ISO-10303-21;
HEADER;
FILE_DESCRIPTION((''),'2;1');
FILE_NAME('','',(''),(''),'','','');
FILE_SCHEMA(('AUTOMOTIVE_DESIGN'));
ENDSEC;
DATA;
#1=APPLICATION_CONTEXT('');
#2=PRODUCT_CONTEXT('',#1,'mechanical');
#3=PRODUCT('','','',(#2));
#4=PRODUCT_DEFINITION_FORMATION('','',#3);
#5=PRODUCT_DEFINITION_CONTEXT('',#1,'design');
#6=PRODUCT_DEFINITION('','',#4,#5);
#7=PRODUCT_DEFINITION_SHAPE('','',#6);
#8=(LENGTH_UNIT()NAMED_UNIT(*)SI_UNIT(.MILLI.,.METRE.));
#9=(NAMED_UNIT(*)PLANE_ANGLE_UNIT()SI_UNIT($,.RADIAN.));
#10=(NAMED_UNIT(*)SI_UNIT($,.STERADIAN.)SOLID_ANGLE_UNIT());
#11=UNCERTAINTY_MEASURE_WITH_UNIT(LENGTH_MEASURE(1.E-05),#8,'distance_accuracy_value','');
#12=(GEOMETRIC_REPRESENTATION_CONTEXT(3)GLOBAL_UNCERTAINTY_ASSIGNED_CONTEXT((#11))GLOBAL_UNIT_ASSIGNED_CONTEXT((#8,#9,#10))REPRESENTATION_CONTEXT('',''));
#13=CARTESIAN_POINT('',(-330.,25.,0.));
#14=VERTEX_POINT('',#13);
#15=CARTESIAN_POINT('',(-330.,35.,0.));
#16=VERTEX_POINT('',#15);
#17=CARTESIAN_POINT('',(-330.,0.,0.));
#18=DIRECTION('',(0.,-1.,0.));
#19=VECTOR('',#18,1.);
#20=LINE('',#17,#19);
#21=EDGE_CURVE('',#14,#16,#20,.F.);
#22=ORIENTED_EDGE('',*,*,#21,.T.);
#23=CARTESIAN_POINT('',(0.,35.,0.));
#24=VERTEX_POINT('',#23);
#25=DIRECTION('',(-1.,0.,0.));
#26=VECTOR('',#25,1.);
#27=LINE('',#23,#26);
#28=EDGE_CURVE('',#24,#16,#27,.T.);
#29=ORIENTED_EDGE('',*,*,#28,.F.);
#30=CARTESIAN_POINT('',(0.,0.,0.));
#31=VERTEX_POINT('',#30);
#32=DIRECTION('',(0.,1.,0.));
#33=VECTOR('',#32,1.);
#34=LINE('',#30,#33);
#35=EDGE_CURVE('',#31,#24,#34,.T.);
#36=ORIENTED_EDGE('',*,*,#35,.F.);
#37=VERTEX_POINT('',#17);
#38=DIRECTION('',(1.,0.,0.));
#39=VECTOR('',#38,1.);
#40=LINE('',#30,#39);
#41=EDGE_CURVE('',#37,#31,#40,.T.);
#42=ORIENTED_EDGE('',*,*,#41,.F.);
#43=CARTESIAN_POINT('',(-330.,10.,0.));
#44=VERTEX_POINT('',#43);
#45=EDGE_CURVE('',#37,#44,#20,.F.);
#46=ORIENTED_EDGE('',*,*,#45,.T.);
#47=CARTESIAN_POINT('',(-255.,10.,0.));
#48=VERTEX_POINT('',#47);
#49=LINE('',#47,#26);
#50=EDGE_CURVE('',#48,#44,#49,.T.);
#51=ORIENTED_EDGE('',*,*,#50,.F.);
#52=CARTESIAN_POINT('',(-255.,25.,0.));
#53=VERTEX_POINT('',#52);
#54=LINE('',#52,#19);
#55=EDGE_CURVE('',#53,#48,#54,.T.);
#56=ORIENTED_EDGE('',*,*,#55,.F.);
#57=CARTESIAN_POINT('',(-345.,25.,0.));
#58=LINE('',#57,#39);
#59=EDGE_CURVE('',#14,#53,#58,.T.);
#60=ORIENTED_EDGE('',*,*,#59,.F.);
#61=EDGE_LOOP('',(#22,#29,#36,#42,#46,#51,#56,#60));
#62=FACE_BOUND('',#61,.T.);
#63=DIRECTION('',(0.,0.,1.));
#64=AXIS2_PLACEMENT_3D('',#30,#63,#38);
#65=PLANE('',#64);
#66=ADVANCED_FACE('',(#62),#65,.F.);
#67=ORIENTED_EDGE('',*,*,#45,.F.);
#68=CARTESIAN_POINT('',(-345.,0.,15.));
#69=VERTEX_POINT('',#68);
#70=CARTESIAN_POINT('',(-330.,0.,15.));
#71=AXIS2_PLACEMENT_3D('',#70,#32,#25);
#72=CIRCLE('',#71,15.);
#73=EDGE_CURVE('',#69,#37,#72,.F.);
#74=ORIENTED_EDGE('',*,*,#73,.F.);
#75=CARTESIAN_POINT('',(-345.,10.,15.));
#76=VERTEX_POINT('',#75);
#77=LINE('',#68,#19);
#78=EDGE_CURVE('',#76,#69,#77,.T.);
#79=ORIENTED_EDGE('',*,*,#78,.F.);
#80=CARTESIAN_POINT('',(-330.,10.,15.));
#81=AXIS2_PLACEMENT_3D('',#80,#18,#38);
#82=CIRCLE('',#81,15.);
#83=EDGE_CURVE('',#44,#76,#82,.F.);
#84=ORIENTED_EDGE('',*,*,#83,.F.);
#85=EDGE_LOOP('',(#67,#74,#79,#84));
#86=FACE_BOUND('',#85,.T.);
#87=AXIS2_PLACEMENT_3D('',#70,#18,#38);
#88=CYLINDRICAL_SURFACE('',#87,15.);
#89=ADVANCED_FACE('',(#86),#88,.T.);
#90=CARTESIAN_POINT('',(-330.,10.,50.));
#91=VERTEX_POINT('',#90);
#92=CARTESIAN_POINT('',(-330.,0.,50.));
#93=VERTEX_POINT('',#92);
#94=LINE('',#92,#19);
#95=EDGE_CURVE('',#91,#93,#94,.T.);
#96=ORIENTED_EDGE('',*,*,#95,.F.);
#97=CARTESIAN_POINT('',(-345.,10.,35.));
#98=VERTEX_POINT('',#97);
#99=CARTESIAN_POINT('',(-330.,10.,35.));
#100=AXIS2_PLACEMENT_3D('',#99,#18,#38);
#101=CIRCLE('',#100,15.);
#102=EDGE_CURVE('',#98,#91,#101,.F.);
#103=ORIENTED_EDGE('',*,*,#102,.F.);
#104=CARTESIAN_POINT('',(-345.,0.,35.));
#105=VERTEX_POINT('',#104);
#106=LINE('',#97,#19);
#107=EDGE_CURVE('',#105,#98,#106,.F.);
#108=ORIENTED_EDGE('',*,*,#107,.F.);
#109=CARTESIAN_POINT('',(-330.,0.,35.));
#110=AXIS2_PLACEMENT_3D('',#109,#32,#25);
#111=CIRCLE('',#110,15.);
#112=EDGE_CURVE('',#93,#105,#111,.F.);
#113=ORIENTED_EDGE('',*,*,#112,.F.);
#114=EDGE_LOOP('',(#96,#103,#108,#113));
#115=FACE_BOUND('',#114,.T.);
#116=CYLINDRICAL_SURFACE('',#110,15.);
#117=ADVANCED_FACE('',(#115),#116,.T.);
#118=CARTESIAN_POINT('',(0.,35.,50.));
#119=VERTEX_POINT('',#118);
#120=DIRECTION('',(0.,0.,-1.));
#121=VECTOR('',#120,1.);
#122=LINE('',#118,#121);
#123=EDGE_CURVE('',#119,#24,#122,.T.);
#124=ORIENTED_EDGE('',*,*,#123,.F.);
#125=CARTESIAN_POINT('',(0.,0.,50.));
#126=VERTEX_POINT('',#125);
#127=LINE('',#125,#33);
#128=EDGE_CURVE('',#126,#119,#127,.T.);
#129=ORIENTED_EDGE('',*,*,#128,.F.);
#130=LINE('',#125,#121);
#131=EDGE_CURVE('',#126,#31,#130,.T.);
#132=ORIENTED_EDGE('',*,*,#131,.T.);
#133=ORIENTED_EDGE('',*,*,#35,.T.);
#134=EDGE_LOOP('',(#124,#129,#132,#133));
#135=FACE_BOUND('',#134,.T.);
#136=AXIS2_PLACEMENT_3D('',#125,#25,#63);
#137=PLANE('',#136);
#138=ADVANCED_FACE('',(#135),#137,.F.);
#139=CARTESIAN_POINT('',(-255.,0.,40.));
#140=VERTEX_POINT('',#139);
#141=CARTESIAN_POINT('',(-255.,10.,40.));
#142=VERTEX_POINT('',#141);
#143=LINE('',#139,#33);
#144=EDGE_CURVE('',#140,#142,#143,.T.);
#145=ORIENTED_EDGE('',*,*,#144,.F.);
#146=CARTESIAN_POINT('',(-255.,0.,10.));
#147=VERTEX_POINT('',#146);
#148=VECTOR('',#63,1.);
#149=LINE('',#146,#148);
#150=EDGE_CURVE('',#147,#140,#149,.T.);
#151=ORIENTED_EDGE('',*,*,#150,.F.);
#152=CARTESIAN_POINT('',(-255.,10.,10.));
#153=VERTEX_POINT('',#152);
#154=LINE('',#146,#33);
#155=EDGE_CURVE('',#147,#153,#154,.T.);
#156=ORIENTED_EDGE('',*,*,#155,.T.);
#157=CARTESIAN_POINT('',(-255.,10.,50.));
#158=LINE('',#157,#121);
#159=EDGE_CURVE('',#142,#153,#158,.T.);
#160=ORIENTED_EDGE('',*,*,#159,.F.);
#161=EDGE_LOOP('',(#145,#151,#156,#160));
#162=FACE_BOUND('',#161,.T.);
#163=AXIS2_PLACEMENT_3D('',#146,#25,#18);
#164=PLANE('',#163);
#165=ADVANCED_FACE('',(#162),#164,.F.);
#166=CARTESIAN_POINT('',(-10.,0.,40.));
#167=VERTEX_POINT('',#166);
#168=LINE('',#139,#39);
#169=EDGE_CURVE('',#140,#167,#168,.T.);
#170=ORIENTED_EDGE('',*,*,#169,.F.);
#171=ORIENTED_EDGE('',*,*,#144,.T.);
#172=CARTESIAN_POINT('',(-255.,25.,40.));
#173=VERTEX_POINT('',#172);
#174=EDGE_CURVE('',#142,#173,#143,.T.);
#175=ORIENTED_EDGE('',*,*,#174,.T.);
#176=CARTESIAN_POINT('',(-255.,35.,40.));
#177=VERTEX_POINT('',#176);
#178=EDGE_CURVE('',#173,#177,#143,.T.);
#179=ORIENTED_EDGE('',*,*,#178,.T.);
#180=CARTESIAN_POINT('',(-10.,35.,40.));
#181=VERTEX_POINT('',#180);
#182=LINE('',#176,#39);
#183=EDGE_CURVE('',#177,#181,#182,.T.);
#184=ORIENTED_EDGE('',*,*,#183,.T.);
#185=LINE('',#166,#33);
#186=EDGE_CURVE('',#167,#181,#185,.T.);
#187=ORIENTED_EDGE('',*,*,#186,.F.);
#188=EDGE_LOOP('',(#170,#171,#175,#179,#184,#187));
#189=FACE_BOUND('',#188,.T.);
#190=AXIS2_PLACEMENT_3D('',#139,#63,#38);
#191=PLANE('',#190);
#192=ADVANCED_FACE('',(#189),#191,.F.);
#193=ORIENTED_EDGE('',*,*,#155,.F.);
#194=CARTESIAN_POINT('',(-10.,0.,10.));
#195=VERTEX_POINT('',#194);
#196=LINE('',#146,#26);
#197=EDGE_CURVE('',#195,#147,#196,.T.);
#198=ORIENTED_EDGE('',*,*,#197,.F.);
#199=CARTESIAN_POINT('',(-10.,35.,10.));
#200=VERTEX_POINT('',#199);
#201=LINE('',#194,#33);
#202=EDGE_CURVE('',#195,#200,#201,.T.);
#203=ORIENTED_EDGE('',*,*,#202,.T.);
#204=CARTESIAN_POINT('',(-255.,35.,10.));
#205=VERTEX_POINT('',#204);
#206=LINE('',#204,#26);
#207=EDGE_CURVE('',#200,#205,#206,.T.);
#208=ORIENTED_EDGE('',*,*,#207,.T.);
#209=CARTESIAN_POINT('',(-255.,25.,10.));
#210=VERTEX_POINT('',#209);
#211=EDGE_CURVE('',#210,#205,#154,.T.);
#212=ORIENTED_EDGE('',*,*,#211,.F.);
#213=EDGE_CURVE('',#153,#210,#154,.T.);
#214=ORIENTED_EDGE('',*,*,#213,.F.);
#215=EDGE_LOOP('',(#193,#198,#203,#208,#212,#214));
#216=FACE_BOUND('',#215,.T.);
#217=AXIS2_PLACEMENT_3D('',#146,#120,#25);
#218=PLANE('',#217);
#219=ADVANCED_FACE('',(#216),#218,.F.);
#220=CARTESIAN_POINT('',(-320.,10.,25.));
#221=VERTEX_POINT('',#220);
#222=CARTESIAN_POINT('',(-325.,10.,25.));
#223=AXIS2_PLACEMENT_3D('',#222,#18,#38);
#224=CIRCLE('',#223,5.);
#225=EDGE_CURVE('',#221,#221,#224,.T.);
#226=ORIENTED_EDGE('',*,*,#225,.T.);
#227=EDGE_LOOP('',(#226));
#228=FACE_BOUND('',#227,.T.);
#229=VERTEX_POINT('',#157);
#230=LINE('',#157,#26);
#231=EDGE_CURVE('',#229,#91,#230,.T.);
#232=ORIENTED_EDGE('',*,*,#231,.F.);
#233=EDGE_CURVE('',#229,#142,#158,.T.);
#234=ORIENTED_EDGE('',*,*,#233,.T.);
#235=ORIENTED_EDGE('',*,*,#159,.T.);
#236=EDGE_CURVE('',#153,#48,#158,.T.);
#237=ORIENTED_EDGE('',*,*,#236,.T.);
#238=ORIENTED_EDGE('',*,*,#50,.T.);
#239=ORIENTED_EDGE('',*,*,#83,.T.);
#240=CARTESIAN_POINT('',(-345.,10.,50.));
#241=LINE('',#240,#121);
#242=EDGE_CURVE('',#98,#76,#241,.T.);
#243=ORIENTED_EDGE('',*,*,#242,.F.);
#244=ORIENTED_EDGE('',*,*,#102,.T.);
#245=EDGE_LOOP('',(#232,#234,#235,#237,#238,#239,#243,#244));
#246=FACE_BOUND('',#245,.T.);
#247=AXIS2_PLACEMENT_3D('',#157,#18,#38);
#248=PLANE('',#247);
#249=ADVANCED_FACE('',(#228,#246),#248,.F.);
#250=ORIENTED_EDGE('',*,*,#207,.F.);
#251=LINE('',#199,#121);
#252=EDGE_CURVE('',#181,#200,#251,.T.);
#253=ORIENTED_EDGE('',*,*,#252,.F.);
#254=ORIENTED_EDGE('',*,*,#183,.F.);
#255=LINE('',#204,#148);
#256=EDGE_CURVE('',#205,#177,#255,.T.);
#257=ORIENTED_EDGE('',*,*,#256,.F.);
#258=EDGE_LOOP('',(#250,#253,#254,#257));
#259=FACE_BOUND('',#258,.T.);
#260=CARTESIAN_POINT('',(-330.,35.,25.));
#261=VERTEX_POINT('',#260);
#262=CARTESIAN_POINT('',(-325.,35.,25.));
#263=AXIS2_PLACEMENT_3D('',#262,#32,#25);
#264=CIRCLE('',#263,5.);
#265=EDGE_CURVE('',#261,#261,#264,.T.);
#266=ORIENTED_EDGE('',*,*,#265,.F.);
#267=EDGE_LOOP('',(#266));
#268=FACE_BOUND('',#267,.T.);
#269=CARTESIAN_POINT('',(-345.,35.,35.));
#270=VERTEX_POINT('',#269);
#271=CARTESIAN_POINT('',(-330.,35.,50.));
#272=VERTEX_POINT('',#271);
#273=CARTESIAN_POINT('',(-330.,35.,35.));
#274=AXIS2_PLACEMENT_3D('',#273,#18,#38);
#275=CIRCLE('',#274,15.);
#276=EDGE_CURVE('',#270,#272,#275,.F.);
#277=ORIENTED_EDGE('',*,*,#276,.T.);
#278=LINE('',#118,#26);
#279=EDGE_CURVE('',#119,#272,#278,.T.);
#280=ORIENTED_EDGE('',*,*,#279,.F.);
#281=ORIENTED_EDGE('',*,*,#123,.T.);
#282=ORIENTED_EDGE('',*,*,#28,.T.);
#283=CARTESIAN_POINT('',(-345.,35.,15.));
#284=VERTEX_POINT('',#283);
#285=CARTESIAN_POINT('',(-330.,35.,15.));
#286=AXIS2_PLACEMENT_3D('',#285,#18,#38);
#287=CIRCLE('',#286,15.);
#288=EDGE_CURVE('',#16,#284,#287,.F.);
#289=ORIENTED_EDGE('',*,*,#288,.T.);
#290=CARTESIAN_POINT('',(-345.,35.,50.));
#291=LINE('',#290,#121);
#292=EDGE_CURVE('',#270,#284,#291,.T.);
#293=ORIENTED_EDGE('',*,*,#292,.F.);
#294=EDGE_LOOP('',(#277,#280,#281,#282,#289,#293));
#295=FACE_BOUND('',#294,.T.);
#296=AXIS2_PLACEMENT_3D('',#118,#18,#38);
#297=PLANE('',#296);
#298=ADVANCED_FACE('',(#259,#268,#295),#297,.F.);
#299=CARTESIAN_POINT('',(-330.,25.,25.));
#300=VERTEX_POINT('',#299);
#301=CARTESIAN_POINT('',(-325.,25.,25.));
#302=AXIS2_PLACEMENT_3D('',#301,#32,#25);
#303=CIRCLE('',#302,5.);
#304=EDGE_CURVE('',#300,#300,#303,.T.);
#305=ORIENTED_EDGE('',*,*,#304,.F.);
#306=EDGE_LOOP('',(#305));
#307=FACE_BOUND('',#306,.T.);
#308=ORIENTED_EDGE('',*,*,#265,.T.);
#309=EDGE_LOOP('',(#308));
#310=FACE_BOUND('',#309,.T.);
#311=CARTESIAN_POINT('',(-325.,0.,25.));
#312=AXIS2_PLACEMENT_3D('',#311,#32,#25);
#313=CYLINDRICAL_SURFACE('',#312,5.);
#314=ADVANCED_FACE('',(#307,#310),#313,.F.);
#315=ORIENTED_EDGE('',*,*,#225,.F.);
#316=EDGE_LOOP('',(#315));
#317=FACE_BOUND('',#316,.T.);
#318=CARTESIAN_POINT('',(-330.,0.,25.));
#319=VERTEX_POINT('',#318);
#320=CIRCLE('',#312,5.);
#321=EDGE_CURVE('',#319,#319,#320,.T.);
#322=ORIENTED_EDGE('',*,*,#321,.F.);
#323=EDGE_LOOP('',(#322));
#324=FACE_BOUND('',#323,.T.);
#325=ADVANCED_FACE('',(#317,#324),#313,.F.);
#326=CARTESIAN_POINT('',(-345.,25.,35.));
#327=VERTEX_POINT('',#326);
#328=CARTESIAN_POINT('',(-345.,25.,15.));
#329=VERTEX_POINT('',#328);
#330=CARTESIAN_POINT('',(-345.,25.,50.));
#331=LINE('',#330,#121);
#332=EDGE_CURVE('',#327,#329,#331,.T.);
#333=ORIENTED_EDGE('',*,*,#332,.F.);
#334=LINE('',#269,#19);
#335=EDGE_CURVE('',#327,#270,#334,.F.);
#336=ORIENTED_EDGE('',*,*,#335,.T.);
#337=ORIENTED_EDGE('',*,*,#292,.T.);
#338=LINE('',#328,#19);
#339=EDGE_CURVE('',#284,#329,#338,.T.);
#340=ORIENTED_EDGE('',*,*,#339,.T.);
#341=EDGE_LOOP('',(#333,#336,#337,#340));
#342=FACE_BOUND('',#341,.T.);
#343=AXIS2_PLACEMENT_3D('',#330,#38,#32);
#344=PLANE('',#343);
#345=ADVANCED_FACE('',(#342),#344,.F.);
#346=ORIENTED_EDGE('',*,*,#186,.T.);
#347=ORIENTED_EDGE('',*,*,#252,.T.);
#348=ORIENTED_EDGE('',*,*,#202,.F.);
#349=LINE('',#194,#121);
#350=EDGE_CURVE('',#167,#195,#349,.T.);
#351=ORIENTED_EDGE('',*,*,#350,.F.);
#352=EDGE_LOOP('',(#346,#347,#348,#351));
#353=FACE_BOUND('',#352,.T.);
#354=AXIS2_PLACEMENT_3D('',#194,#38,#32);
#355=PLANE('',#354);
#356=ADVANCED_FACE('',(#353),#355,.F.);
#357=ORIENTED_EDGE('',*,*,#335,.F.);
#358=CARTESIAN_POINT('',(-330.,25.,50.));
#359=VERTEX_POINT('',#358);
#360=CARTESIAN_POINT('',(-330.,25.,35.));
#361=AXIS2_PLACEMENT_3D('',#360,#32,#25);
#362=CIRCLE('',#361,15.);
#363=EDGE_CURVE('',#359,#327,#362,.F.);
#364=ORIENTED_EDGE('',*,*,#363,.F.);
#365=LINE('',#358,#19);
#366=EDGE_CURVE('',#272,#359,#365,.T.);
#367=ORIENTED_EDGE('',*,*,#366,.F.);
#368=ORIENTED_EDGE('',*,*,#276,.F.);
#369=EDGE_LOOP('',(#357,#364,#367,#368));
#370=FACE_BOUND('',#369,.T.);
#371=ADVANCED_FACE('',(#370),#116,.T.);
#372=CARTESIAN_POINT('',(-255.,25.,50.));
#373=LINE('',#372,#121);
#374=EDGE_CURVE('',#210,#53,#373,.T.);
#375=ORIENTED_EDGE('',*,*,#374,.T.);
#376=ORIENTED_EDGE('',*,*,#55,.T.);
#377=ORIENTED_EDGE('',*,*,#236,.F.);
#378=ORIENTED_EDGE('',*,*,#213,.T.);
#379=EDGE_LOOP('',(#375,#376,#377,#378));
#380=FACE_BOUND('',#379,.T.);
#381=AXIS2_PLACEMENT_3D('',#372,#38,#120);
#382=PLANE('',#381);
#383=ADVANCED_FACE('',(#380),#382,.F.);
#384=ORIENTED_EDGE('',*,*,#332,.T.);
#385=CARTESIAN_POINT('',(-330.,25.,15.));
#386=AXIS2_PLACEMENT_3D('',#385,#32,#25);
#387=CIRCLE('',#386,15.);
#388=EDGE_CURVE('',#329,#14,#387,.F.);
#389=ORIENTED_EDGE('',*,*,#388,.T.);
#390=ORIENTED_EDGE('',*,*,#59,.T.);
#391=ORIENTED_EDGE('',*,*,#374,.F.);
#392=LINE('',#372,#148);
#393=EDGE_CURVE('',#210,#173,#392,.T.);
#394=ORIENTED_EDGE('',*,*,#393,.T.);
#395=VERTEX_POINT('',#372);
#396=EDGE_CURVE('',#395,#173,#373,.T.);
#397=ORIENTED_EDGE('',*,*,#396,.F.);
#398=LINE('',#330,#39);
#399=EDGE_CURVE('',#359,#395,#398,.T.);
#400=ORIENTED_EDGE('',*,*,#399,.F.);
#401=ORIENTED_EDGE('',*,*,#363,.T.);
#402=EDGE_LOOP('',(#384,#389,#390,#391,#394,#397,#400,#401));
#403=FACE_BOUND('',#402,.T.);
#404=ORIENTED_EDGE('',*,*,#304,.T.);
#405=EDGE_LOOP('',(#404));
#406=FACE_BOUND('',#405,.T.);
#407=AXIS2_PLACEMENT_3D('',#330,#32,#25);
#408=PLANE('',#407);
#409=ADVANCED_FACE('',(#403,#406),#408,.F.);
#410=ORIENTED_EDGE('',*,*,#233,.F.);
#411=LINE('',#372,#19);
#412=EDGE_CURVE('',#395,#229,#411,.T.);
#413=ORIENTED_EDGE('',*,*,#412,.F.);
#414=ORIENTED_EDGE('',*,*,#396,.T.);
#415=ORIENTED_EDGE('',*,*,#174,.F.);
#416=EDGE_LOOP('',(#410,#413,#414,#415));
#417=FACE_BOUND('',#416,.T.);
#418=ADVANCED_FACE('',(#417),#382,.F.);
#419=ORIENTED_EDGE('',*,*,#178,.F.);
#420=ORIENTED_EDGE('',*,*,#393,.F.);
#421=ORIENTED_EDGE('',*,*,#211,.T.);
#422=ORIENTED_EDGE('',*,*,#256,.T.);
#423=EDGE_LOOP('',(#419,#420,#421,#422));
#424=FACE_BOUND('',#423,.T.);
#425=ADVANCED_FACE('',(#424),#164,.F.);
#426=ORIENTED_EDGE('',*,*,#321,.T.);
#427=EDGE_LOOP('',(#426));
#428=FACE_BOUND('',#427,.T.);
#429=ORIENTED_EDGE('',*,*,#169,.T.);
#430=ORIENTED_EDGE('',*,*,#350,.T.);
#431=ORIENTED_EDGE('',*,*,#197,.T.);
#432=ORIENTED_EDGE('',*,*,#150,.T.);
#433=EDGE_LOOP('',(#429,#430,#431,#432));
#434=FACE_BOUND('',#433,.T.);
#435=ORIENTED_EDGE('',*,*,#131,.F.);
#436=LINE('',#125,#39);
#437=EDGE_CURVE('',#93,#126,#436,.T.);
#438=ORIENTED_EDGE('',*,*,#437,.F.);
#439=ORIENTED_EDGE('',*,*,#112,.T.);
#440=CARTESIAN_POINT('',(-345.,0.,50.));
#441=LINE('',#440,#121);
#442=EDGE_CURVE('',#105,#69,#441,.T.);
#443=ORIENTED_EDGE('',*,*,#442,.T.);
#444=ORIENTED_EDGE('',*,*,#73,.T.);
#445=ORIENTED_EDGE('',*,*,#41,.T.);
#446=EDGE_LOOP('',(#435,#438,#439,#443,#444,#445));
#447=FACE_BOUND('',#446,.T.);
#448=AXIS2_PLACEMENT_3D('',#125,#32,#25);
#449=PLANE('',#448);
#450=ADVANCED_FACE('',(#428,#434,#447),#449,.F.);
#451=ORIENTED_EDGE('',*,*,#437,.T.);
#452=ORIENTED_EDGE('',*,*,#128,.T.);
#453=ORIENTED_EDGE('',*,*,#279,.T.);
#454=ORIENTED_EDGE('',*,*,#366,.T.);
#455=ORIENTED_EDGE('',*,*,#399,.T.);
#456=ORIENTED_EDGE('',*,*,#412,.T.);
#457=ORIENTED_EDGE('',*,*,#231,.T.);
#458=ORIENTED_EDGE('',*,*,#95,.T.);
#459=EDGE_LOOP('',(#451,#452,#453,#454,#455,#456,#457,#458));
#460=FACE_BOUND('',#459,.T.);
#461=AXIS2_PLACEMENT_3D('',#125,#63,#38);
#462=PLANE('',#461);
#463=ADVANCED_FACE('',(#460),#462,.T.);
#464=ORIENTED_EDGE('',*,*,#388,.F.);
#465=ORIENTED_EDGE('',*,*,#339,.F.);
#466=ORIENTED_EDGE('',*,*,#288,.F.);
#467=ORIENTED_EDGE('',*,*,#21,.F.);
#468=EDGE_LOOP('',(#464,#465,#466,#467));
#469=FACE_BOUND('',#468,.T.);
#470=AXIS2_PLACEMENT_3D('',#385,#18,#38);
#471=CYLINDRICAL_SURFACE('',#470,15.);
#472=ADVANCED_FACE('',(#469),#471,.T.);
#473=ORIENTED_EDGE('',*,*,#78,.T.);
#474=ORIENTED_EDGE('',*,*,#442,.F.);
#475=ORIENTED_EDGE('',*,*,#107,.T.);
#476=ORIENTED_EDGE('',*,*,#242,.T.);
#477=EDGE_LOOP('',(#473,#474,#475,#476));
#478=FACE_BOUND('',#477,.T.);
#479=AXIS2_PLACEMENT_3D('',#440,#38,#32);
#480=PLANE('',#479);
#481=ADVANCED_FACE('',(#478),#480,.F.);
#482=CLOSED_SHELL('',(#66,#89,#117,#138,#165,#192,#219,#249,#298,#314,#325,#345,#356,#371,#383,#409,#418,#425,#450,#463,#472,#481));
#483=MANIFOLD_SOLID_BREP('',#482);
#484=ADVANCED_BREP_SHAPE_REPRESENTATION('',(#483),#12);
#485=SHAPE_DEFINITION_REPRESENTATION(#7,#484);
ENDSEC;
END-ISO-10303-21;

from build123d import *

# Parameters (mm, degrees)
BOSS_EXTRUDE1_DEPTH = 50
SKETCH2_R           = 5
SKETCH2_W           = 245
SKETCH2_H           = 30
CUT_EXTRUDE1_DEPTH  = 351.356960827
FILLET1_R           = 15


with BuildPart() as part:
    # Sketch1 → Boss-Extrude1 (new body)
    with BuildSketch(Plane.XY):
        Polygon((-345, 25), (-255, 25), (-255, 10), (-345, 10), (-345, 0), (0, 0), (0, 35), (-345, 35), align=None)
    extrude(amount=BOSS_EXTRUDE1_DEPTH)

    # Sketch2 → Cut-Extrude1 (cut, through all)
    with BuildSketch(Plane(origin=(0, 35, 0), x_dir=(1, 0, 0), z_dir=(0, 1, 0))):
        with Locations(Location((-325, -25, 0), (0, 0, 180))):
            Circle(SKETCH2_R)
        with Locations((-132.5, -25)):
            Rectangle(SKETCH2_W, SKETCH2_H)
    extrude(amount=-CUT_EXTRUDE1_DEPTH, mode=Mode.SUBTRACT)

    # Fillet1
    fillet1_edges = [part.edges().sort_by_distance(p)[0] for p in [
        (-345, 30, 0),
        (-345, 30, 50),
        (-345, 5, 50),
        (-345, 5, 0),
    ]]
    fillet(fillet1_edges, radius=FILLET1_R)


solid = part.part
